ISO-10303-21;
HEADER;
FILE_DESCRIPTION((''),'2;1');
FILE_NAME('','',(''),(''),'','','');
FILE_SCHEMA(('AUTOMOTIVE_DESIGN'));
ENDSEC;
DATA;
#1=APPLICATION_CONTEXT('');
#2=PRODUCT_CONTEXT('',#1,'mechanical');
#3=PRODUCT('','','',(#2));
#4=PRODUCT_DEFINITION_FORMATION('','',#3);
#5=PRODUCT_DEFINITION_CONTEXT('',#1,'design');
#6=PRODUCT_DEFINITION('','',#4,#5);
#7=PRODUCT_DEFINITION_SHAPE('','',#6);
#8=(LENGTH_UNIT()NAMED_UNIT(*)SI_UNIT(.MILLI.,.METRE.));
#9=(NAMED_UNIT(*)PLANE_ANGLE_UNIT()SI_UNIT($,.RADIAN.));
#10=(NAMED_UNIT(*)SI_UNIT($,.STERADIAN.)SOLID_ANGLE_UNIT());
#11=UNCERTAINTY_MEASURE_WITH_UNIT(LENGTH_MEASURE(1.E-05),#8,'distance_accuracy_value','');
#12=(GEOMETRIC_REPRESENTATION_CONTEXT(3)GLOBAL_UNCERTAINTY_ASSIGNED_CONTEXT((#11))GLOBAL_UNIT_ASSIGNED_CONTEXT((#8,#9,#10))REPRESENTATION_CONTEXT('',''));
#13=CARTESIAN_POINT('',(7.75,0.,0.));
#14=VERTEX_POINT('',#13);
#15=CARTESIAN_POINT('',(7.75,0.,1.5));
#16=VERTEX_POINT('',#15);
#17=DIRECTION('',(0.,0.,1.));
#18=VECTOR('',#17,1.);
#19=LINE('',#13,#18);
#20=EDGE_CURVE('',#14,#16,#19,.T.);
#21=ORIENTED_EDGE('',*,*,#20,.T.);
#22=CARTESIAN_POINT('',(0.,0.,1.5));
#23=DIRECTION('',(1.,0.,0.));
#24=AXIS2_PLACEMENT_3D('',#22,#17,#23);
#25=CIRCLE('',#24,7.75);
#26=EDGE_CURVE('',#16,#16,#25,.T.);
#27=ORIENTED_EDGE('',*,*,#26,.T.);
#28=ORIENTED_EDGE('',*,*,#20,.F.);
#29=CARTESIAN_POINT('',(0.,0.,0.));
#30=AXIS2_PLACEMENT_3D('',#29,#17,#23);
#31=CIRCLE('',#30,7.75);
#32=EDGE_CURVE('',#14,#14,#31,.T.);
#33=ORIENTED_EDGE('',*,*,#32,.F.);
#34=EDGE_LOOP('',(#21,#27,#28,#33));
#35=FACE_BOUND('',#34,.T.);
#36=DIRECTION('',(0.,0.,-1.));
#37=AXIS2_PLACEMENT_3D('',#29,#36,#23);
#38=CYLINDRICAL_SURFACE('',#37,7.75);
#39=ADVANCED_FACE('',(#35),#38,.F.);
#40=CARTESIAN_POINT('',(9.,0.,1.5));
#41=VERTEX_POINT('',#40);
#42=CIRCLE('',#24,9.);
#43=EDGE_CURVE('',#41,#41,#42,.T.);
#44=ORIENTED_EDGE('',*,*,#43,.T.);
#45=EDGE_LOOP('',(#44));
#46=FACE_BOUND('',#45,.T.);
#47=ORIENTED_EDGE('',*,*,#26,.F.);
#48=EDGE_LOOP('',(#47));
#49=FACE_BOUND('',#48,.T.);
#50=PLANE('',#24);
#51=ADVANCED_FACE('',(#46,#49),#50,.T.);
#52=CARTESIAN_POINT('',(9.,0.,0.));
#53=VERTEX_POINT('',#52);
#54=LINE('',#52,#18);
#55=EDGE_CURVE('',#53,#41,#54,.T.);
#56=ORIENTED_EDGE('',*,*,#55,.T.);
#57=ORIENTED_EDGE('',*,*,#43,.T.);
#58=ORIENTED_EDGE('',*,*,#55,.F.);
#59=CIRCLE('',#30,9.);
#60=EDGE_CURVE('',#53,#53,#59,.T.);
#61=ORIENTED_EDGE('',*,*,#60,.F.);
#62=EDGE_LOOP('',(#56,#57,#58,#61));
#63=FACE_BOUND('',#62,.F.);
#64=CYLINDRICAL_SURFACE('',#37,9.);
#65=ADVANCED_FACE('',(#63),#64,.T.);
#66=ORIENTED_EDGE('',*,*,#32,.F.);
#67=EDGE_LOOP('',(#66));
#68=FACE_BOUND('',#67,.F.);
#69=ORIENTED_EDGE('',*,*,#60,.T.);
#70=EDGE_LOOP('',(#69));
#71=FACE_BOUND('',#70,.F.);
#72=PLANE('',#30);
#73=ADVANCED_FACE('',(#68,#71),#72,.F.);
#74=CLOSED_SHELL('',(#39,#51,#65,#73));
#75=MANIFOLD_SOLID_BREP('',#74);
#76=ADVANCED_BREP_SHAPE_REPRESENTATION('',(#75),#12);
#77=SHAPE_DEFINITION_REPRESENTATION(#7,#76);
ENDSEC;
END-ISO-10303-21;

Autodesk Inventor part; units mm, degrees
ref_plane "YZ Plane" through (0, 0, 0) normal (1, 0, 0) x (0, 1, 0)
ref_plane "XZ Plane" through (0, 0, 0) normal (0, 1, 0) x (-1, 0, 0)
ref_plane "XY Plane" through (0, 0, 0) normal (0, 0, 1) x (1, 0, 0)
sketch "Sketch1" plane through (0, 0, 0) normal (0, 0, 1) x (1, 0, 0)
  circle A0 centre (0, 0) radius 7.75
  circle A1 centre (0, 0) radius 9
  dimension "d0" = 15.5
  dimension "d2" = 18
extrude "Extrusion1" add sketch "Sketch1" along normal blind 1.5
properties part number "hub washer"
